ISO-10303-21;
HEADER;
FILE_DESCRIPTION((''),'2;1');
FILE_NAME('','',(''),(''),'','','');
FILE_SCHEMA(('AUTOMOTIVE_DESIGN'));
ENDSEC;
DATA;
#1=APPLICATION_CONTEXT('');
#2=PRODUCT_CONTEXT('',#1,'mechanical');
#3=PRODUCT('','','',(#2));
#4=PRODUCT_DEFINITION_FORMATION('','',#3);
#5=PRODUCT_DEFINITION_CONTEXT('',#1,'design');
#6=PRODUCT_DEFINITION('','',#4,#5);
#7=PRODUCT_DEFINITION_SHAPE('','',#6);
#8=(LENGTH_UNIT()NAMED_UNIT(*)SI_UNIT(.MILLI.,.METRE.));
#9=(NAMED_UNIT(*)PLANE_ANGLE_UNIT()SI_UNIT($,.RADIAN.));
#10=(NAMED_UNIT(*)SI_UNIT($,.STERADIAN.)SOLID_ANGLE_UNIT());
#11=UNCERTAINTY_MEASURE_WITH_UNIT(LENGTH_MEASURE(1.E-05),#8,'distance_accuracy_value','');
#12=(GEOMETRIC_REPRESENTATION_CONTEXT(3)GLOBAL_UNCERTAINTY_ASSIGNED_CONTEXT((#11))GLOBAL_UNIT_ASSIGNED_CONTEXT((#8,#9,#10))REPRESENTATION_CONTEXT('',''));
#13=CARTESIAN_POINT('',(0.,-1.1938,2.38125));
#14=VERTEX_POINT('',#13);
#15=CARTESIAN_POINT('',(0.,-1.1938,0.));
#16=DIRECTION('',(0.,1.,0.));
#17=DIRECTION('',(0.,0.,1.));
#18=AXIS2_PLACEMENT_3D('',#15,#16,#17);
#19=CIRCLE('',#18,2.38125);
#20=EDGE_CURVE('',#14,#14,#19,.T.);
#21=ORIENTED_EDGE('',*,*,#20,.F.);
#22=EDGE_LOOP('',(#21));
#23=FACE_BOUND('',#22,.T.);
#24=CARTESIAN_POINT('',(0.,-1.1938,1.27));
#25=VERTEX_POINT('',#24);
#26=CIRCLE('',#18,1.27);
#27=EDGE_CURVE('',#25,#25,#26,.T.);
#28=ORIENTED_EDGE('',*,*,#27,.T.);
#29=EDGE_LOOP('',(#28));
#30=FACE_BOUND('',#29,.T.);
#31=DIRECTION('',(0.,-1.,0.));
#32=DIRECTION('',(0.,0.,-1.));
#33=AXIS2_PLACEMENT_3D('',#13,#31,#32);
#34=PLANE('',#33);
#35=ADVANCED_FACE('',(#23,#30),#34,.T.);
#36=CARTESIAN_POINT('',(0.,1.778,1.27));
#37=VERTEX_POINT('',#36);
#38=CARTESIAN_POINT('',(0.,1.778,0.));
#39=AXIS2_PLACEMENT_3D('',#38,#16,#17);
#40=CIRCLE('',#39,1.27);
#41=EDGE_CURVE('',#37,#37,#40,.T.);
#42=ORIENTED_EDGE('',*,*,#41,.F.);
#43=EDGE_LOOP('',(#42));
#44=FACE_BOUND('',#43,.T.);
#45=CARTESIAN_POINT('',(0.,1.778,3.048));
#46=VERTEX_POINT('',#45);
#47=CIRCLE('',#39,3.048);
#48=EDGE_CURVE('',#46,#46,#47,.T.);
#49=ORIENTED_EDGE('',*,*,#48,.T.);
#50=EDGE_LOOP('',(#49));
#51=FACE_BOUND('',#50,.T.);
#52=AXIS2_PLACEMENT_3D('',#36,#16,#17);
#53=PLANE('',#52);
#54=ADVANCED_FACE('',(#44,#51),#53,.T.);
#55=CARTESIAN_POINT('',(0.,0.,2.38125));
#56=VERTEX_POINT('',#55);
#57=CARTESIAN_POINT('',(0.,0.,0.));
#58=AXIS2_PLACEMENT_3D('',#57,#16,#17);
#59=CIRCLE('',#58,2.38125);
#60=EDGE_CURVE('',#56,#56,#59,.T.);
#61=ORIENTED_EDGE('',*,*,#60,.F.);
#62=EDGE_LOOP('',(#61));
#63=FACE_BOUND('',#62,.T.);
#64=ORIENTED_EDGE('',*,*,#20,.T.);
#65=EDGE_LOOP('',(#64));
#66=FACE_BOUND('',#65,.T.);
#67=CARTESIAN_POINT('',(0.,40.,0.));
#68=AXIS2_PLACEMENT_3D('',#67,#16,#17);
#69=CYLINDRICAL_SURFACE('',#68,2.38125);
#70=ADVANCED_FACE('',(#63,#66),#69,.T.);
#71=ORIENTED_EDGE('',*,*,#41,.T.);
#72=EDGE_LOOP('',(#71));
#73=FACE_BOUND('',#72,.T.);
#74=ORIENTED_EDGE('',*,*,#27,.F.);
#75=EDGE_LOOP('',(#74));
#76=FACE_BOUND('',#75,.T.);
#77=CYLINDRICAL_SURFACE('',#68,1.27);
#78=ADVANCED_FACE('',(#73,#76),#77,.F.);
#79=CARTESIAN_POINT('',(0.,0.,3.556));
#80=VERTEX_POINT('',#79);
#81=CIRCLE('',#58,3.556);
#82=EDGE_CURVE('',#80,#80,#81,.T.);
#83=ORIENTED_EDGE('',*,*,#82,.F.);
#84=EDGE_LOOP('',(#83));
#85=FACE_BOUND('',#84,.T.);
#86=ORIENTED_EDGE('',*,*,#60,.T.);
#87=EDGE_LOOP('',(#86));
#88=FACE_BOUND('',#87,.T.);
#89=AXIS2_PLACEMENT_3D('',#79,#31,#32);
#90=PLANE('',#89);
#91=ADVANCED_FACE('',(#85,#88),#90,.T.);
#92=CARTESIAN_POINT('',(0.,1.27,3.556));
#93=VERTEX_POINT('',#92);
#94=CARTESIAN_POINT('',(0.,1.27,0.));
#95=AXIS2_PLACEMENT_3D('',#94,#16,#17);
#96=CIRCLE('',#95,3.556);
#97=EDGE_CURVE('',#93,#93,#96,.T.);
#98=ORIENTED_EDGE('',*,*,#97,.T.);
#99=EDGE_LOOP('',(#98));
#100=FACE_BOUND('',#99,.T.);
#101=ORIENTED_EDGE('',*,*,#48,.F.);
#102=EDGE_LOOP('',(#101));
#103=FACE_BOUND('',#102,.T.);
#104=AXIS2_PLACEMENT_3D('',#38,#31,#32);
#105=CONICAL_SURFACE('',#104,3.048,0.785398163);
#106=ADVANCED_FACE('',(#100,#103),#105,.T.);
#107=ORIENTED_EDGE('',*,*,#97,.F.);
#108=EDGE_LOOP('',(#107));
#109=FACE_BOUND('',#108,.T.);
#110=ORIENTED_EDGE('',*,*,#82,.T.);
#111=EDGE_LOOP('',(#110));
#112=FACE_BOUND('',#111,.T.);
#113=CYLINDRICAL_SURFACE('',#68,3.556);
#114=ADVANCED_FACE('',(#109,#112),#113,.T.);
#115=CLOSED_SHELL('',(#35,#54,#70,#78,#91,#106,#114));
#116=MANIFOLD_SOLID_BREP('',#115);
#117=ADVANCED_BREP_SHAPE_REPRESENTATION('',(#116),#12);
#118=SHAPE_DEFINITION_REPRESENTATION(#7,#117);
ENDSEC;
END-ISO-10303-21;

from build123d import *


with BuildPart() as part:
    # Sketch1 → Boss-Revolve1 (revolve)
    with BuildSketch(Plane(origin=(0, 0, 0), x_dir=(0, 0, -1), z_dir=(1, 0, 0))):
        Polygon((-1.27, 1.778), (-1.27, -1.1938), (-2.38125, -1.1938), (-2.38125, 0), (-3.556, 0), (-3.556, 1.27), (-3.048, 1.778), align=None)
    revolve(axis=Axis((0, 40, 0), (0, -1, 0)))


solid = part.part
